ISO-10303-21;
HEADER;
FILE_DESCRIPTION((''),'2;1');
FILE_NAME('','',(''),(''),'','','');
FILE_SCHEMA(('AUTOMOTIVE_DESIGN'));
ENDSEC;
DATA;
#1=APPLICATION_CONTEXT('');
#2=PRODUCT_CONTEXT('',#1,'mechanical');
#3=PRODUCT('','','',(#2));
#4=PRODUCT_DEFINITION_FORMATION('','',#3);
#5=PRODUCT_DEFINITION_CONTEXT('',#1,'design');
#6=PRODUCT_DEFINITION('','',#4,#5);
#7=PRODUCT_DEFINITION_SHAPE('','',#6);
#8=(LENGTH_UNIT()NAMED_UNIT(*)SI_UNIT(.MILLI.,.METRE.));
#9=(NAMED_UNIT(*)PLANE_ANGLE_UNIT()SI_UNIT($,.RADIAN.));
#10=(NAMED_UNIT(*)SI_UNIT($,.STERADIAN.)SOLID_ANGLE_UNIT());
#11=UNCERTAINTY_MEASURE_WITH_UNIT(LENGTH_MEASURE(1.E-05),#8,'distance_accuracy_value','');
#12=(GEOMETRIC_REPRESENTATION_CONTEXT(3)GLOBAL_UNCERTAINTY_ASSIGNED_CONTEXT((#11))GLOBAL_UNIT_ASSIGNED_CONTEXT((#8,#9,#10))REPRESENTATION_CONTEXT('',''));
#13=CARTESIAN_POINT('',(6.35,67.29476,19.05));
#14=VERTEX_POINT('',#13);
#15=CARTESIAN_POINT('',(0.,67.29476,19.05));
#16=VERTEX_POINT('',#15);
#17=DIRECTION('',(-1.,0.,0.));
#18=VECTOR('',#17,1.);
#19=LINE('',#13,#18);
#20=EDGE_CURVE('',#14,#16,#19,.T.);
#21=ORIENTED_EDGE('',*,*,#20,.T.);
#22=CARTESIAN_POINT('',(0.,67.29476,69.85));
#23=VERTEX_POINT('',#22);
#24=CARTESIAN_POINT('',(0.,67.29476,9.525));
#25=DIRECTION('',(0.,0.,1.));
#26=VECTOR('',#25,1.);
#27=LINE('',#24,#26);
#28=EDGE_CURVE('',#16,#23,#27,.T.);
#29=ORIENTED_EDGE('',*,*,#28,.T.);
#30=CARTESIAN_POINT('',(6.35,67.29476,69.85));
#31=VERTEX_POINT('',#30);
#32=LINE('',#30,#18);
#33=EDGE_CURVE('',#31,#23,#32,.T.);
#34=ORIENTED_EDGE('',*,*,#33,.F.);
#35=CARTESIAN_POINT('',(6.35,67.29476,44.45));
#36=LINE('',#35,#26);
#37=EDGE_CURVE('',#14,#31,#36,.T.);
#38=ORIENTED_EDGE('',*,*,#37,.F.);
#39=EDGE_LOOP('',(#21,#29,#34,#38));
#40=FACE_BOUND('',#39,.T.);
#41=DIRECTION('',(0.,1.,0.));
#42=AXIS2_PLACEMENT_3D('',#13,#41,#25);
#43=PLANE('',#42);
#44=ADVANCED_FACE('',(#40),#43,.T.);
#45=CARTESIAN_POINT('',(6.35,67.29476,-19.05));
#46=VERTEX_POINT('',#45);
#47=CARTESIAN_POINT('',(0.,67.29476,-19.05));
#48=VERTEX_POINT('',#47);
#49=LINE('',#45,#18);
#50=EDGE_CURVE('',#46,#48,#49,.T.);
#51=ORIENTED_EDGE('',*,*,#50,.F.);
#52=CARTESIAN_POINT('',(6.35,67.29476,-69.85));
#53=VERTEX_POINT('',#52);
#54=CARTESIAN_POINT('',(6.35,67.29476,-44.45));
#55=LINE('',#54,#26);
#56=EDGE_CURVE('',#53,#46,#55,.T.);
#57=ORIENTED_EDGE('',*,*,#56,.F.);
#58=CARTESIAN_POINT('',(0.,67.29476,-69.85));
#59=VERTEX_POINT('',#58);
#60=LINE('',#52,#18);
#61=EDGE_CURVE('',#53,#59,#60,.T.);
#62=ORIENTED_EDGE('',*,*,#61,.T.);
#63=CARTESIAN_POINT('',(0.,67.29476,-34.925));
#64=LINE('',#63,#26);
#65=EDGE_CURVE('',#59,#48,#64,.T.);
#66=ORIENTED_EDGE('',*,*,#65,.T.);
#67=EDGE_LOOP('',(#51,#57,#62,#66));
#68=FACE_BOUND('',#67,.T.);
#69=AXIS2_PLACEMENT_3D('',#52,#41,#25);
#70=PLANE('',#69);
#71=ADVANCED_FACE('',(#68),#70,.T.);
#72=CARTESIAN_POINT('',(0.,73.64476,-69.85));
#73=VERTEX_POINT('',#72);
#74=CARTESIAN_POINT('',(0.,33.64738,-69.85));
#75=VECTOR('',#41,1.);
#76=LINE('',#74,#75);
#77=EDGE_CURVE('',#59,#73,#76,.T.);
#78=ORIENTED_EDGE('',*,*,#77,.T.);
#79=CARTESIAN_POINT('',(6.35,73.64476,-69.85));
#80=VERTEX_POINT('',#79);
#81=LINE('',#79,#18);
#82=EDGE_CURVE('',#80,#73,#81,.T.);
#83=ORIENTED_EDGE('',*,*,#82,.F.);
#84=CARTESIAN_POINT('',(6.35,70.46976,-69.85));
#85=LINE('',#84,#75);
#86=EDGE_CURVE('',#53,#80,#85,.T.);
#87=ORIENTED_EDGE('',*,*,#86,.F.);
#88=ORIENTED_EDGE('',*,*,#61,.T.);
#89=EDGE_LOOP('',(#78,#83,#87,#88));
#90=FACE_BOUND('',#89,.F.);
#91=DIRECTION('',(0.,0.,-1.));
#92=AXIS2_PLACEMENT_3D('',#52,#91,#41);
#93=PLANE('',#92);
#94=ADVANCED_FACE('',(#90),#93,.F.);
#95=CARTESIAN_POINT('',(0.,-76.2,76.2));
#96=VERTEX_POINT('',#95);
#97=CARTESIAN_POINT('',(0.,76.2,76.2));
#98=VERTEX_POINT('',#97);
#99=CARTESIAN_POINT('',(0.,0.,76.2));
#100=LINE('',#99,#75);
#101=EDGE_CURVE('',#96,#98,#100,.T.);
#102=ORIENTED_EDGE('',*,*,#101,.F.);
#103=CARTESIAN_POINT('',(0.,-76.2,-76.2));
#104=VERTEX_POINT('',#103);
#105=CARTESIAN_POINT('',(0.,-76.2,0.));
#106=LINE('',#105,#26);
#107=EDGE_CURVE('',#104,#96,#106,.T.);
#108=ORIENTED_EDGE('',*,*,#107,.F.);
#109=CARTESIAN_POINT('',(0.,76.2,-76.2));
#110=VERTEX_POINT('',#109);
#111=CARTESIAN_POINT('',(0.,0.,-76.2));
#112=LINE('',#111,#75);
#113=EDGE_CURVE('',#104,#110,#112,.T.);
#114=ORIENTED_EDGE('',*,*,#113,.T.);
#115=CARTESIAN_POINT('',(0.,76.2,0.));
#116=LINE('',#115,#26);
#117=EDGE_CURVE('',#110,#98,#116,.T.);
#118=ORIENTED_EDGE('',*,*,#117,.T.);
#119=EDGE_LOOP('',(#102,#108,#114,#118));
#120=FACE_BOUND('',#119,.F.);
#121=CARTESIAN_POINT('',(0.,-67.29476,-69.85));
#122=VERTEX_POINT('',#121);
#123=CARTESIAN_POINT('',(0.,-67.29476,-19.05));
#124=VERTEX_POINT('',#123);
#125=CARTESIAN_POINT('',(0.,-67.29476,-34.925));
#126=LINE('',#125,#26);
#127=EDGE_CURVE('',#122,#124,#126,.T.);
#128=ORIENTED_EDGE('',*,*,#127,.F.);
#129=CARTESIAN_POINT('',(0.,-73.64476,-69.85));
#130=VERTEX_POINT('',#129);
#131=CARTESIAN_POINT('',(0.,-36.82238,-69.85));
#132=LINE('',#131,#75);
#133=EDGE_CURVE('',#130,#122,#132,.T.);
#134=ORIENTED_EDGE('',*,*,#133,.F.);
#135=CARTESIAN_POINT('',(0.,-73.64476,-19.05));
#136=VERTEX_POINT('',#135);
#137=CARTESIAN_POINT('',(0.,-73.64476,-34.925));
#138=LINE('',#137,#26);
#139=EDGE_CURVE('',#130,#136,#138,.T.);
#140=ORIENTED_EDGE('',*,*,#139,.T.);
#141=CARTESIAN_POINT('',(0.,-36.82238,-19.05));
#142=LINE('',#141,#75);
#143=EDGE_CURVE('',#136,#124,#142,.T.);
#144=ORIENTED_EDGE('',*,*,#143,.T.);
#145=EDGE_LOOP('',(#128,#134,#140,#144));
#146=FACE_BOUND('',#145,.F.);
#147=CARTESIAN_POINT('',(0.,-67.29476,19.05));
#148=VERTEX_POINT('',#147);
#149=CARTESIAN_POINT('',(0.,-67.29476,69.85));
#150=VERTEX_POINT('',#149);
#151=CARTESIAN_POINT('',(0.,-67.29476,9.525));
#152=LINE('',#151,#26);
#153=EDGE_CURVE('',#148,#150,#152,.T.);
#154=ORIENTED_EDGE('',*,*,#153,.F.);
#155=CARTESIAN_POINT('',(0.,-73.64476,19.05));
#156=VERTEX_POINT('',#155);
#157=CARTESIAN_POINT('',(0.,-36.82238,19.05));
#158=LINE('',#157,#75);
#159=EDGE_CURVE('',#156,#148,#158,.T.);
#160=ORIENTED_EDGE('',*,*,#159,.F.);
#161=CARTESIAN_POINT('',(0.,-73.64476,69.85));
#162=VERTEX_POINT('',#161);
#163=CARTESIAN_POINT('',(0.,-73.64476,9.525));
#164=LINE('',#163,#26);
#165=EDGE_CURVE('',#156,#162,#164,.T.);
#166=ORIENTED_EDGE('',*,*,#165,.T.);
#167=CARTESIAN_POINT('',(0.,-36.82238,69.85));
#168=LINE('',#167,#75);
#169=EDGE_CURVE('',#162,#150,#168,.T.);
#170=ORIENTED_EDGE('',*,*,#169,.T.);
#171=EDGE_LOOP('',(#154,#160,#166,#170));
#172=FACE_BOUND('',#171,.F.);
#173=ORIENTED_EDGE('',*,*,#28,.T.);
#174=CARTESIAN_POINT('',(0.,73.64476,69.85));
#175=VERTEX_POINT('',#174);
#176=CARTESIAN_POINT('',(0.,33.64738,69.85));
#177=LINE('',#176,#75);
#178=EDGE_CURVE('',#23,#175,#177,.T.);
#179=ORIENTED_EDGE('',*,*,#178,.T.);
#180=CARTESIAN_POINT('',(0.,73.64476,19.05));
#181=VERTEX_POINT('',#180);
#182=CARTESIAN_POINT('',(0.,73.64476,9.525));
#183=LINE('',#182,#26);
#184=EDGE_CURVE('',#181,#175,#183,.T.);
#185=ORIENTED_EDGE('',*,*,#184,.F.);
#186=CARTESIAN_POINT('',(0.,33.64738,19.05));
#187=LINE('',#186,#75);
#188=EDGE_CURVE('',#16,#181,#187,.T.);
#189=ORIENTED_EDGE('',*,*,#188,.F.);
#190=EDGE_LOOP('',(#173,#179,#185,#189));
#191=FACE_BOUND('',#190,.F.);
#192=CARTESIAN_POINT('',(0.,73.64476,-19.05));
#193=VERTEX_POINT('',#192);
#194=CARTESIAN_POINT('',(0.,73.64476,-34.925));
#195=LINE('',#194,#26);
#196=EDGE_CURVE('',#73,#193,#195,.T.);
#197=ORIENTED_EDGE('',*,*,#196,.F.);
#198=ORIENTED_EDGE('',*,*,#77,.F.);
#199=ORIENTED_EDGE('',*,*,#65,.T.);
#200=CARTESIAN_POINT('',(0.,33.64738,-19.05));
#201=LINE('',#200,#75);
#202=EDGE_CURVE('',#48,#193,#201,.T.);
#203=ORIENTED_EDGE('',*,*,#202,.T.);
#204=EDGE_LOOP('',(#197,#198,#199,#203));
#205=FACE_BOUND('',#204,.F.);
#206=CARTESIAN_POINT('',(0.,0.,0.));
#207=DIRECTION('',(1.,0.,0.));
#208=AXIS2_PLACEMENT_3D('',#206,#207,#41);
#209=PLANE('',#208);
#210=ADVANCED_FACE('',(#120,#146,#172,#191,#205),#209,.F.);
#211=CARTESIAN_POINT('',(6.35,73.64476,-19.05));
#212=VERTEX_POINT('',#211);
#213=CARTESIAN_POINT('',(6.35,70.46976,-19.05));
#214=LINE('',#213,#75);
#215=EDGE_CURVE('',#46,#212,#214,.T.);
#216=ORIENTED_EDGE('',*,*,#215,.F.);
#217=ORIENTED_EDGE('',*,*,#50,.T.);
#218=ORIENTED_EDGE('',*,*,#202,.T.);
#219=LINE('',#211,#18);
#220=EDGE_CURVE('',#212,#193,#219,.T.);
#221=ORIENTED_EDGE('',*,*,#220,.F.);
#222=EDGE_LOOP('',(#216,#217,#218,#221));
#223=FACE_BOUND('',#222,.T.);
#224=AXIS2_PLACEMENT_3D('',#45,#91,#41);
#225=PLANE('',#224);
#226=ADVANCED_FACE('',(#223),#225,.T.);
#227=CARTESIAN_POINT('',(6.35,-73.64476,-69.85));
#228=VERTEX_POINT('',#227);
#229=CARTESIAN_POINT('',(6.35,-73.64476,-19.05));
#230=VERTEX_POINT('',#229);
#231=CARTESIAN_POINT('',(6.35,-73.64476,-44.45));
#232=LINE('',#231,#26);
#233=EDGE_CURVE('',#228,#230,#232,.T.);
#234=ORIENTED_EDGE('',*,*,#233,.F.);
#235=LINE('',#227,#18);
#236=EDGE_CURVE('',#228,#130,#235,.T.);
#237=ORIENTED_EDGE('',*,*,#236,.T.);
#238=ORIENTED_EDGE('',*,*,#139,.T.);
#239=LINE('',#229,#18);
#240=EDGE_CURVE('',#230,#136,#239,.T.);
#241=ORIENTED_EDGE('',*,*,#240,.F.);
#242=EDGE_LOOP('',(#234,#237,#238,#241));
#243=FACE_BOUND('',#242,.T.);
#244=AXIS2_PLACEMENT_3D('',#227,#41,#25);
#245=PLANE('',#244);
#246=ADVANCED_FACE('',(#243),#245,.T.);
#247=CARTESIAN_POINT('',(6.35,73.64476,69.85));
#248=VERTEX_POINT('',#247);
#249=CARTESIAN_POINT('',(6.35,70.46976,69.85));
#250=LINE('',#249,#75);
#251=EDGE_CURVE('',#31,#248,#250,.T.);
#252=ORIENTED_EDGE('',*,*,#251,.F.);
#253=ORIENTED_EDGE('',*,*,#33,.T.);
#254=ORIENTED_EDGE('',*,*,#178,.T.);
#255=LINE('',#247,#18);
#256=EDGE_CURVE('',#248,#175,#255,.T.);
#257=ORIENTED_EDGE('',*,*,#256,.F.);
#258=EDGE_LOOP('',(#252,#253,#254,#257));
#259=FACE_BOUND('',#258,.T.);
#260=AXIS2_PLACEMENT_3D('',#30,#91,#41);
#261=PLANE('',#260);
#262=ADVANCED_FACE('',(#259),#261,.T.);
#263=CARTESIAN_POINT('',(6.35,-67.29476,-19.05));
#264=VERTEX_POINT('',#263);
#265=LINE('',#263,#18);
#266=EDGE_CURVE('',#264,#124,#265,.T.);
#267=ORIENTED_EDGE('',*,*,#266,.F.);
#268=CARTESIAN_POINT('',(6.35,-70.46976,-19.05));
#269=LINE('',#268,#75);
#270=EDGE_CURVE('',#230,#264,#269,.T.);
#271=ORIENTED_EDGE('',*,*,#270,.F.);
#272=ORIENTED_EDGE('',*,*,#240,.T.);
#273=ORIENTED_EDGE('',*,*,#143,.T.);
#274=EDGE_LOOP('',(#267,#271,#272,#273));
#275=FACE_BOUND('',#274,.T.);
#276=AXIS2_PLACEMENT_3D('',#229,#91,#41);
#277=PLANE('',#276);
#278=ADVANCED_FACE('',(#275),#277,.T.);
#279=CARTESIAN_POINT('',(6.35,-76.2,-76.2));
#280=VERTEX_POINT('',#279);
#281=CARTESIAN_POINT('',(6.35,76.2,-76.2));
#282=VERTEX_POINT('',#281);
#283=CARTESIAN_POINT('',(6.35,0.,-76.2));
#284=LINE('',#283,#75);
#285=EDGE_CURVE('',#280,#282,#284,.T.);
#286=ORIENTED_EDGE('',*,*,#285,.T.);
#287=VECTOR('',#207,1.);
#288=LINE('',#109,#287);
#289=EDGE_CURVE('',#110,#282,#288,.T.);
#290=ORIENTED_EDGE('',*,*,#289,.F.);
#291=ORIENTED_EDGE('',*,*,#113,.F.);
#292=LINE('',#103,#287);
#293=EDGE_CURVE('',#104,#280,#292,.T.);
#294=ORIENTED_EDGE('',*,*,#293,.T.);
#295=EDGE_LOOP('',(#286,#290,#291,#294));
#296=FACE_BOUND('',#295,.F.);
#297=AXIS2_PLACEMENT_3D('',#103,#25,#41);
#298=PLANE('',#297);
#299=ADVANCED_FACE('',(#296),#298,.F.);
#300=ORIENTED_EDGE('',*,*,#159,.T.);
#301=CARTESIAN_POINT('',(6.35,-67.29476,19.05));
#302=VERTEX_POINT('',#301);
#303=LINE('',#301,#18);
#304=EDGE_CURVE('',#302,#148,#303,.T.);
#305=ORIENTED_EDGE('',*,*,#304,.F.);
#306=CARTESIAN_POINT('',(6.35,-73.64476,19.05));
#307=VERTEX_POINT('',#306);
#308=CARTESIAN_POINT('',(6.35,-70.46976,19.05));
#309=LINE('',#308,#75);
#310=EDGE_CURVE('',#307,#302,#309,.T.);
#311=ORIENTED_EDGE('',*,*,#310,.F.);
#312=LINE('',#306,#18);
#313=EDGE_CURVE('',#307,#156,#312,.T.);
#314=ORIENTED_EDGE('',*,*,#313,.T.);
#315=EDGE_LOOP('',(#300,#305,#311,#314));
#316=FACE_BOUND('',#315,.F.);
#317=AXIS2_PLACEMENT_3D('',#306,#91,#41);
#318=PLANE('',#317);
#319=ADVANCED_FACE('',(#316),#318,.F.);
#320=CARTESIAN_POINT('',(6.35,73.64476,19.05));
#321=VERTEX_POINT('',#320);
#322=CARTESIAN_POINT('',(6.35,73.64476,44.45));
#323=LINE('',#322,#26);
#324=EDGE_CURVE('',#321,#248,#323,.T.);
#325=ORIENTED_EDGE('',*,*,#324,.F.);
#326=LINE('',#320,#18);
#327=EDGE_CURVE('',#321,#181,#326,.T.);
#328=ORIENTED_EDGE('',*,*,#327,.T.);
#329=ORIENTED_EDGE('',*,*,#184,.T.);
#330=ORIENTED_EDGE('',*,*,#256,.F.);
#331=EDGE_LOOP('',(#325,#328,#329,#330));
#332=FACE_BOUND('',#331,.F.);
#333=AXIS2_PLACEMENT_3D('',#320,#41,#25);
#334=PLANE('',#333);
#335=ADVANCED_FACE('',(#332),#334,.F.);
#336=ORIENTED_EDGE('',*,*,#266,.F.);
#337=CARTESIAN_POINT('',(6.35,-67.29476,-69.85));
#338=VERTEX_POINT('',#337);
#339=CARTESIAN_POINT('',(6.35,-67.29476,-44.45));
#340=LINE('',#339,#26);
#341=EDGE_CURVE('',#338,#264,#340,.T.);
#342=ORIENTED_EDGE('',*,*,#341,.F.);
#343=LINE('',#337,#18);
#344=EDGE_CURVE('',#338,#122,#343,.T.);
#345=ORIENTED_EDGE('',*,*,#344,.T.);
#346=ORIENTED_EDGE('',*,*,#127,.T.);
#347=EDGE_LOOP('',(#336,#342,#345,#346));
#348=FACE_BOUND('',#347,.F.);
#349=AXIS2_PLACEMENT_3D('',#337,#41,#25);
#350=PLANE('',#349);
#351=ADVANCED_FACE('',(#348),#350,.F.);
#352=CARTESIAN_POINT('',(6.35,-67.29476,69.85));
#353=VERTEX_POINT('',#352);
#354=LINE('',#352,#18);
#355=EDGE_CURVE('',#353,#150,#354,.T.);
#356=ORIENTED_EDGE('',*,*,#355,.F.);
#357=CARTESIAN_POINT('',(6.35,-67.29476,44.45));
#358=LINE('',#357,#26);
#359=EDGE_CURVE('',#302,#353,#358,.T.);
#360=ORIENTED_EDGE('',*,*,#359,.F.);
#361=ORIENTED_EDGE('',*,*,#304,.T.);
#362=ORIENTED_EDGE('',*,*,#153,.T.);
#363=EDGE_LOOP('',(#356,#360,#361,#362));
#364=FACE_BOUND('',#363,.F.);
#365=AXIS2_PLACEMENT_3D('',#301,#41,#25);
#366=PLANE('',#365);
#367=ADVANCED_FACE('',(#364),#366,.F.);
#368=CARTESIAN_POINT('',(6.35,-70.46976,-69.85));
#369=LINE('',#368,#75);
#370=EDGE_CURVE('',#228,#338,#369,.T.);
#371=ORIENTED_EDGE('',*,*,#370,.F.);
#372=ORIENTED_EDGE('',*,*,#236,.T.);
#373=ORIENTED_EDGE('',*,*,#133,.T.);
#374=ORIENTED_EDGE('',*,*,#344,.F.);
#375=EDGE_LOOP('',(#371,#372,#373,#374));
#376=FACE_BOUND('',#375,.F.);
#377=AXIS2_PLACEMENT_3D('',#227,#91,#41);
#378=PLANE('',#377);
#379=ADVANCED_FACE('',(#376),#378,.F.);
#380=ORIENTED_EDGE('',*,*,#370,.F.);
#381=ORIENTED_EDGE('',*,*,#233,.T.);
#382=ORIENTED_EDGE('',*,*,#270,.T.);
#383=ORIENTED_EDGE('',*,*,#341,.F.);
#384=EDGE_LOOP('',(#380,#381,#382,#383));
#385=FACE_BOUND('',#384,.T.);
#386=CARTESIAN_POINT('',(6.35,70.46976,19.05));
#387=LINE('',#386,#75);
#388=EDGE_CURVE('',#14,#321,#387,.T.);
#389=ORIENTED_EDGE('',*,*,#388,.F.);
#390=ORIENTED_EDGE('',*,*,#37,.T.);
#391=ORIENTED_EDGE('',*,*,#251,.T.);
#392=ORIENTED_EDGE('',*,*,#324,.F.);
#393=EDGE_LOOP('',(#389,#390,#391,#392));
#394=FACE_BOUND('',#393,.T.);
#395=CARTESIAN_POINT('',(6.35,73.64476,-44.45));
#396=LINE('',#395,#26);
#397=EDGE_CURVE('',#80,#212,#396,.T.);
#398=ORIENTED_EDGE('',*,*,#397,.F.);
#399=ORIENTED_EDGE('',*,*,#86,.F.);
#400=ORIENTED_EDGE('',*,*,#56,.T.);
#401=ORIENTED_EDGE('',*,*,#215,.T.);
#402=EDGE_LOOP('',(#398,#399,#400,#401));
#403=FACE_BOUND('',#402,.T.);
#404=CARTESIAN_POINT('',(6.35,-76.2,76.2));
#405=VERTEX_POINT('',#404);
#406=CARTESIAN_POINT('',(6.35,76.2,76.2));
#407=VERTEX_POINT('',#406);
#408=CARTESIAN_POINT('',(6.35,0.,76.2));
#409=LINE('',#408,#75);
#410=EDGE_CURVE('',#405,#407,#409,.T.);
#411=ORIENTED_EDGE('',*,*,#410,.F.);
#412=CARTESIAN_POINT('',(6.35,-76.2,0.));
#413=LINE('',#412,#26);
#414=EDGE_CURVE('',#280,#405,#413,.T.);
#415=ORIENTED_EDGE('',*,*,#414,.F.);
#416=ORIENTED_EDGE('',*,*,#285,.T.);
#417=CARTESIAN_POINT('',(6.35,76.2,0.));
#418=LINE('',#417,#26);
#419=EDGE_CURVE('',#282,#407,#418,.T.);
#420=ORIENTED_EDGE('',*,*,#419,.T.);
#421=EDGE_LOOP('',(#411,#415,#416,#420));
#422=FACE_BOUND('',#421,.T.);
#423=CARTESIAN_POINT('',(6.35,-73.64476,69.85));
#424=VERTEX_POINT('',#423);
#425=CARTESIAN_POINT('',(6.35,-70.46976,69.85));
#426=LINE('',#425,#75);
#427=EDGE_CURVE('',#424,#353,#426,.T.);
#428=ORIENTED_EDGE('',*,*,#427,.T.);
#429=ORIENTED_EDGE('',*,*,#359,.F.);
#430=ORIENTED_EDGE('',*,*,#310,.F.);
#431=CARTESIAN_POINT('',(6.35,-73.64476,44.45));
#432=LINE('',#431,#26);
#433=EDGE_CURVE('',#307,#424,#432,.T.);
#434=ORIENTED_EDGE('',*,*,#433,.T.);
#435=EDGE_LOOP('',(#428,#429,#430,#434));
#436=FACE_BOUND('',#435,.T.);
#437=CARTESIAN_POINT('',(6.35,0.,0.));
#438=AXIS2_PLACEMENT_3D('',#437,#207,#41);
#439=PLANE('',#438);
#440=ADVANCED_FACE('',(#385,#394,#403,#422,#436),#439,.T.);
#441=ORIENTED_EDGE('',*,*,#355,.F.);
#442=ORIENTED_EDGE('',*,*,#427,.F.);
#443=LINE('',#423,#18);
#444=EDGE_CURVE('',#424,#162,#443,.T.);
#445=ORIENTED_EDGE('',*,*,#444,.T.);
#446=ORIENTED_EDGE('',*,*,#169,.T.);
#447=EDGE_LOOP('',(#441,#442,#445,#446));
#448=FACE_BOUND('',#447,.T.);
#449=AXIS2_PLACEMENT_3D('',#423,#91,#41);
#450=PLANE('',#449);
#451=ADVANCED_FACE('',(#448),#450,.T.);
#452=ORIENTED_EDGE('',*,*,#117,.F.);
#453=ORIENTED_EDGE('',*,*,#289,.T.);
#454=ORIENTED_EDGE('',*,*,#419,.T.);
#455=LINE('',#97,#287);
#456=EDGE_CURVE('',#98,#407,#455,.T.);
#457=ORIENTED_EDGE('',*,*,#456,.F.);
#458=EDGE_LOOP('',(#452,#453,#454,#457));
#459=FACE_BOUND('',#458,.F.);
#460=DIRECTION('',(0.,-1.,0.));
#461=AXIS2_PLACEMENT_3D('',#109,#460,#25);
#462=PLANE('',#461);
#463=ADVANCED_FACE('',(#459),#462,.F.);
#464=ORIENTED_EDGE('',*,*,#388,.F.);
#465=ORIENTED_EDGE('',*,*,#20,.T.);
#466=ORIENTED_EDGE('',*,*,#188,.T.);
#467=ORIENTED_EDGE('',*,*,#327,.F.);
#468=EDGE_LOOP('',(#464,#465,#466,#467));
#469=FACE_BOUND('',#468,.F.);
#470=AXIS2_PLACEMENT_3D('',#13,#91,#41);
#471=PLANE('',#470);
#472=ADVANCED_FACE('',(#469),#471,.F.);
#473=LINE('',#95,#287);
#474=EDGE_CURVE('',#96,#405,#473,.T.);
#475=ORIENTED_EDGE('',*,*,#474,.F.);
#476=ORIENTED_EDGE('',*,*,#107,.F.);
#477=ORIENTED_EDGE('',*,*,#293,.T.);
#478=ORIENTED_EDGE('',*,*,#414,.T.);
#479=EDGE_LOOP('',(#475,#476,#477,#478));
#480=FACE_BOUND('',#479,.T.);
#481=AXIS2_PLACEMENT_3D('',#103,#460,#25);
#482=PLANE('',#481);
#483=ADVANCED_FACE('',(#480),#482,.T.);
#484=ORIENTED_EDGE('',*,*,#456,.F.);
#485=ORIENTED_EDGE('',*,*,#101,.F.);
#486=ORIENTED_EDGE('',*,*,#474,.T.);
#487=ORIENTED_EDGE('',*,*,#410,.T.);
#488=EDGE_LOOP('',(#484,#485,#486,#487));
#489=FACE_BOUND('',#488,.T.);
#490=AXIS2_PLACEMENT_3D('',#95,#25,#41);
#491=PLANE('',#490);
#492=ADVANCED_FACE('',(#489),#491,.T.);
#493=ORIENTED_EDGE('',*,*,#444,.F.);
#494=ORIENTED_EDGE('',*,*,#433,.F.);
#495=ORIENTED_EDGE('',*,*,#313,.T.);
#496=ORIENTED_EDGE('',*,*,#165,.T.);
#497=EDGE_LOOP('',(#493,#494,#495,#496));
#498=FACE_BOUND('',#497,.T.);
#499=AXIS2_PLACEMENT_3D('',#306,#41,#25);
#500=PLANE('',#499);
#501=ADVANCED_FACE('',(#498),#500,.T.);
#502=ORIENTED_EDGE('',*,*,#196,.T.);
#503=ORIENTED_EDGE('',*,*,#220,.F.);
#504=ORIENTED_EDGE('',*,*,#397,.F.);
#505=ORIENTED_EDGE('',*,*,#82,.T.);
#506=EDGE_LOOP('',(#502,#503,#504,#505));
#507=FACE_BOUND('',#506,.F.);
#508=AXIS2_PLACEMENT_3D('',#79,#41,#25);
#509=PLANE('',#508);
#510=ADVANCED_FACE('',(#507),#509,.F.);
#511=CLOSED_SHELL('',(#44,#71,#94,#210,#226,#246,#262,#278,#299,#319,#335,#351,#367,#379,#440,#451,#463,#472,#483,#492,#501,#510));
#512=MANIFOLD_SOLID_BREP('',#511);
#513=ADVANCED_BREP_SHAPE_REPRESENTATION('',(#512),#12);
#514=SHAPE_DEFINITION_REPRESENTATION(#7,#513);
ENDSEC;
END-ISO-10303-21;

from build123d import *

# Parameters (mm, degrees)
F0_W     = 152.4
F0_H     = 152.4
F1_DEPTH = 6.35
F2_W     = 6.35
F2_H     = 50.8
F3_DEPTH = 25.4


with BuildPart() as f1:
    # F0 (on Right) → F1 (new body)
    with BuildSketch(Plane.YZ):
        Rectangle(F0_W, F0_H)
    extrude(amount=F1_DEPTH)

    # F2 (on face) → F3 (cut)
    with BuildSketch(Plane.YZ.offset(6.35)):
        with Locations((-70.46976, 44.45)):
            Rectangle(F2_W, F2_H)
        with Locations((70.46976, 44.45)):
            Rectangle(F2_W, F2_H)
        with Locations((70.46976, -44.45)):
            Rectangle(F2_W, F2_H)
        with Locations((-70.46976, -44.45)):
            Rectangle(F2_W, F2_H)
    extrude(amount=-F3_DEPTH, mode=Mode.SUBTRACT)


solid = f1.part
